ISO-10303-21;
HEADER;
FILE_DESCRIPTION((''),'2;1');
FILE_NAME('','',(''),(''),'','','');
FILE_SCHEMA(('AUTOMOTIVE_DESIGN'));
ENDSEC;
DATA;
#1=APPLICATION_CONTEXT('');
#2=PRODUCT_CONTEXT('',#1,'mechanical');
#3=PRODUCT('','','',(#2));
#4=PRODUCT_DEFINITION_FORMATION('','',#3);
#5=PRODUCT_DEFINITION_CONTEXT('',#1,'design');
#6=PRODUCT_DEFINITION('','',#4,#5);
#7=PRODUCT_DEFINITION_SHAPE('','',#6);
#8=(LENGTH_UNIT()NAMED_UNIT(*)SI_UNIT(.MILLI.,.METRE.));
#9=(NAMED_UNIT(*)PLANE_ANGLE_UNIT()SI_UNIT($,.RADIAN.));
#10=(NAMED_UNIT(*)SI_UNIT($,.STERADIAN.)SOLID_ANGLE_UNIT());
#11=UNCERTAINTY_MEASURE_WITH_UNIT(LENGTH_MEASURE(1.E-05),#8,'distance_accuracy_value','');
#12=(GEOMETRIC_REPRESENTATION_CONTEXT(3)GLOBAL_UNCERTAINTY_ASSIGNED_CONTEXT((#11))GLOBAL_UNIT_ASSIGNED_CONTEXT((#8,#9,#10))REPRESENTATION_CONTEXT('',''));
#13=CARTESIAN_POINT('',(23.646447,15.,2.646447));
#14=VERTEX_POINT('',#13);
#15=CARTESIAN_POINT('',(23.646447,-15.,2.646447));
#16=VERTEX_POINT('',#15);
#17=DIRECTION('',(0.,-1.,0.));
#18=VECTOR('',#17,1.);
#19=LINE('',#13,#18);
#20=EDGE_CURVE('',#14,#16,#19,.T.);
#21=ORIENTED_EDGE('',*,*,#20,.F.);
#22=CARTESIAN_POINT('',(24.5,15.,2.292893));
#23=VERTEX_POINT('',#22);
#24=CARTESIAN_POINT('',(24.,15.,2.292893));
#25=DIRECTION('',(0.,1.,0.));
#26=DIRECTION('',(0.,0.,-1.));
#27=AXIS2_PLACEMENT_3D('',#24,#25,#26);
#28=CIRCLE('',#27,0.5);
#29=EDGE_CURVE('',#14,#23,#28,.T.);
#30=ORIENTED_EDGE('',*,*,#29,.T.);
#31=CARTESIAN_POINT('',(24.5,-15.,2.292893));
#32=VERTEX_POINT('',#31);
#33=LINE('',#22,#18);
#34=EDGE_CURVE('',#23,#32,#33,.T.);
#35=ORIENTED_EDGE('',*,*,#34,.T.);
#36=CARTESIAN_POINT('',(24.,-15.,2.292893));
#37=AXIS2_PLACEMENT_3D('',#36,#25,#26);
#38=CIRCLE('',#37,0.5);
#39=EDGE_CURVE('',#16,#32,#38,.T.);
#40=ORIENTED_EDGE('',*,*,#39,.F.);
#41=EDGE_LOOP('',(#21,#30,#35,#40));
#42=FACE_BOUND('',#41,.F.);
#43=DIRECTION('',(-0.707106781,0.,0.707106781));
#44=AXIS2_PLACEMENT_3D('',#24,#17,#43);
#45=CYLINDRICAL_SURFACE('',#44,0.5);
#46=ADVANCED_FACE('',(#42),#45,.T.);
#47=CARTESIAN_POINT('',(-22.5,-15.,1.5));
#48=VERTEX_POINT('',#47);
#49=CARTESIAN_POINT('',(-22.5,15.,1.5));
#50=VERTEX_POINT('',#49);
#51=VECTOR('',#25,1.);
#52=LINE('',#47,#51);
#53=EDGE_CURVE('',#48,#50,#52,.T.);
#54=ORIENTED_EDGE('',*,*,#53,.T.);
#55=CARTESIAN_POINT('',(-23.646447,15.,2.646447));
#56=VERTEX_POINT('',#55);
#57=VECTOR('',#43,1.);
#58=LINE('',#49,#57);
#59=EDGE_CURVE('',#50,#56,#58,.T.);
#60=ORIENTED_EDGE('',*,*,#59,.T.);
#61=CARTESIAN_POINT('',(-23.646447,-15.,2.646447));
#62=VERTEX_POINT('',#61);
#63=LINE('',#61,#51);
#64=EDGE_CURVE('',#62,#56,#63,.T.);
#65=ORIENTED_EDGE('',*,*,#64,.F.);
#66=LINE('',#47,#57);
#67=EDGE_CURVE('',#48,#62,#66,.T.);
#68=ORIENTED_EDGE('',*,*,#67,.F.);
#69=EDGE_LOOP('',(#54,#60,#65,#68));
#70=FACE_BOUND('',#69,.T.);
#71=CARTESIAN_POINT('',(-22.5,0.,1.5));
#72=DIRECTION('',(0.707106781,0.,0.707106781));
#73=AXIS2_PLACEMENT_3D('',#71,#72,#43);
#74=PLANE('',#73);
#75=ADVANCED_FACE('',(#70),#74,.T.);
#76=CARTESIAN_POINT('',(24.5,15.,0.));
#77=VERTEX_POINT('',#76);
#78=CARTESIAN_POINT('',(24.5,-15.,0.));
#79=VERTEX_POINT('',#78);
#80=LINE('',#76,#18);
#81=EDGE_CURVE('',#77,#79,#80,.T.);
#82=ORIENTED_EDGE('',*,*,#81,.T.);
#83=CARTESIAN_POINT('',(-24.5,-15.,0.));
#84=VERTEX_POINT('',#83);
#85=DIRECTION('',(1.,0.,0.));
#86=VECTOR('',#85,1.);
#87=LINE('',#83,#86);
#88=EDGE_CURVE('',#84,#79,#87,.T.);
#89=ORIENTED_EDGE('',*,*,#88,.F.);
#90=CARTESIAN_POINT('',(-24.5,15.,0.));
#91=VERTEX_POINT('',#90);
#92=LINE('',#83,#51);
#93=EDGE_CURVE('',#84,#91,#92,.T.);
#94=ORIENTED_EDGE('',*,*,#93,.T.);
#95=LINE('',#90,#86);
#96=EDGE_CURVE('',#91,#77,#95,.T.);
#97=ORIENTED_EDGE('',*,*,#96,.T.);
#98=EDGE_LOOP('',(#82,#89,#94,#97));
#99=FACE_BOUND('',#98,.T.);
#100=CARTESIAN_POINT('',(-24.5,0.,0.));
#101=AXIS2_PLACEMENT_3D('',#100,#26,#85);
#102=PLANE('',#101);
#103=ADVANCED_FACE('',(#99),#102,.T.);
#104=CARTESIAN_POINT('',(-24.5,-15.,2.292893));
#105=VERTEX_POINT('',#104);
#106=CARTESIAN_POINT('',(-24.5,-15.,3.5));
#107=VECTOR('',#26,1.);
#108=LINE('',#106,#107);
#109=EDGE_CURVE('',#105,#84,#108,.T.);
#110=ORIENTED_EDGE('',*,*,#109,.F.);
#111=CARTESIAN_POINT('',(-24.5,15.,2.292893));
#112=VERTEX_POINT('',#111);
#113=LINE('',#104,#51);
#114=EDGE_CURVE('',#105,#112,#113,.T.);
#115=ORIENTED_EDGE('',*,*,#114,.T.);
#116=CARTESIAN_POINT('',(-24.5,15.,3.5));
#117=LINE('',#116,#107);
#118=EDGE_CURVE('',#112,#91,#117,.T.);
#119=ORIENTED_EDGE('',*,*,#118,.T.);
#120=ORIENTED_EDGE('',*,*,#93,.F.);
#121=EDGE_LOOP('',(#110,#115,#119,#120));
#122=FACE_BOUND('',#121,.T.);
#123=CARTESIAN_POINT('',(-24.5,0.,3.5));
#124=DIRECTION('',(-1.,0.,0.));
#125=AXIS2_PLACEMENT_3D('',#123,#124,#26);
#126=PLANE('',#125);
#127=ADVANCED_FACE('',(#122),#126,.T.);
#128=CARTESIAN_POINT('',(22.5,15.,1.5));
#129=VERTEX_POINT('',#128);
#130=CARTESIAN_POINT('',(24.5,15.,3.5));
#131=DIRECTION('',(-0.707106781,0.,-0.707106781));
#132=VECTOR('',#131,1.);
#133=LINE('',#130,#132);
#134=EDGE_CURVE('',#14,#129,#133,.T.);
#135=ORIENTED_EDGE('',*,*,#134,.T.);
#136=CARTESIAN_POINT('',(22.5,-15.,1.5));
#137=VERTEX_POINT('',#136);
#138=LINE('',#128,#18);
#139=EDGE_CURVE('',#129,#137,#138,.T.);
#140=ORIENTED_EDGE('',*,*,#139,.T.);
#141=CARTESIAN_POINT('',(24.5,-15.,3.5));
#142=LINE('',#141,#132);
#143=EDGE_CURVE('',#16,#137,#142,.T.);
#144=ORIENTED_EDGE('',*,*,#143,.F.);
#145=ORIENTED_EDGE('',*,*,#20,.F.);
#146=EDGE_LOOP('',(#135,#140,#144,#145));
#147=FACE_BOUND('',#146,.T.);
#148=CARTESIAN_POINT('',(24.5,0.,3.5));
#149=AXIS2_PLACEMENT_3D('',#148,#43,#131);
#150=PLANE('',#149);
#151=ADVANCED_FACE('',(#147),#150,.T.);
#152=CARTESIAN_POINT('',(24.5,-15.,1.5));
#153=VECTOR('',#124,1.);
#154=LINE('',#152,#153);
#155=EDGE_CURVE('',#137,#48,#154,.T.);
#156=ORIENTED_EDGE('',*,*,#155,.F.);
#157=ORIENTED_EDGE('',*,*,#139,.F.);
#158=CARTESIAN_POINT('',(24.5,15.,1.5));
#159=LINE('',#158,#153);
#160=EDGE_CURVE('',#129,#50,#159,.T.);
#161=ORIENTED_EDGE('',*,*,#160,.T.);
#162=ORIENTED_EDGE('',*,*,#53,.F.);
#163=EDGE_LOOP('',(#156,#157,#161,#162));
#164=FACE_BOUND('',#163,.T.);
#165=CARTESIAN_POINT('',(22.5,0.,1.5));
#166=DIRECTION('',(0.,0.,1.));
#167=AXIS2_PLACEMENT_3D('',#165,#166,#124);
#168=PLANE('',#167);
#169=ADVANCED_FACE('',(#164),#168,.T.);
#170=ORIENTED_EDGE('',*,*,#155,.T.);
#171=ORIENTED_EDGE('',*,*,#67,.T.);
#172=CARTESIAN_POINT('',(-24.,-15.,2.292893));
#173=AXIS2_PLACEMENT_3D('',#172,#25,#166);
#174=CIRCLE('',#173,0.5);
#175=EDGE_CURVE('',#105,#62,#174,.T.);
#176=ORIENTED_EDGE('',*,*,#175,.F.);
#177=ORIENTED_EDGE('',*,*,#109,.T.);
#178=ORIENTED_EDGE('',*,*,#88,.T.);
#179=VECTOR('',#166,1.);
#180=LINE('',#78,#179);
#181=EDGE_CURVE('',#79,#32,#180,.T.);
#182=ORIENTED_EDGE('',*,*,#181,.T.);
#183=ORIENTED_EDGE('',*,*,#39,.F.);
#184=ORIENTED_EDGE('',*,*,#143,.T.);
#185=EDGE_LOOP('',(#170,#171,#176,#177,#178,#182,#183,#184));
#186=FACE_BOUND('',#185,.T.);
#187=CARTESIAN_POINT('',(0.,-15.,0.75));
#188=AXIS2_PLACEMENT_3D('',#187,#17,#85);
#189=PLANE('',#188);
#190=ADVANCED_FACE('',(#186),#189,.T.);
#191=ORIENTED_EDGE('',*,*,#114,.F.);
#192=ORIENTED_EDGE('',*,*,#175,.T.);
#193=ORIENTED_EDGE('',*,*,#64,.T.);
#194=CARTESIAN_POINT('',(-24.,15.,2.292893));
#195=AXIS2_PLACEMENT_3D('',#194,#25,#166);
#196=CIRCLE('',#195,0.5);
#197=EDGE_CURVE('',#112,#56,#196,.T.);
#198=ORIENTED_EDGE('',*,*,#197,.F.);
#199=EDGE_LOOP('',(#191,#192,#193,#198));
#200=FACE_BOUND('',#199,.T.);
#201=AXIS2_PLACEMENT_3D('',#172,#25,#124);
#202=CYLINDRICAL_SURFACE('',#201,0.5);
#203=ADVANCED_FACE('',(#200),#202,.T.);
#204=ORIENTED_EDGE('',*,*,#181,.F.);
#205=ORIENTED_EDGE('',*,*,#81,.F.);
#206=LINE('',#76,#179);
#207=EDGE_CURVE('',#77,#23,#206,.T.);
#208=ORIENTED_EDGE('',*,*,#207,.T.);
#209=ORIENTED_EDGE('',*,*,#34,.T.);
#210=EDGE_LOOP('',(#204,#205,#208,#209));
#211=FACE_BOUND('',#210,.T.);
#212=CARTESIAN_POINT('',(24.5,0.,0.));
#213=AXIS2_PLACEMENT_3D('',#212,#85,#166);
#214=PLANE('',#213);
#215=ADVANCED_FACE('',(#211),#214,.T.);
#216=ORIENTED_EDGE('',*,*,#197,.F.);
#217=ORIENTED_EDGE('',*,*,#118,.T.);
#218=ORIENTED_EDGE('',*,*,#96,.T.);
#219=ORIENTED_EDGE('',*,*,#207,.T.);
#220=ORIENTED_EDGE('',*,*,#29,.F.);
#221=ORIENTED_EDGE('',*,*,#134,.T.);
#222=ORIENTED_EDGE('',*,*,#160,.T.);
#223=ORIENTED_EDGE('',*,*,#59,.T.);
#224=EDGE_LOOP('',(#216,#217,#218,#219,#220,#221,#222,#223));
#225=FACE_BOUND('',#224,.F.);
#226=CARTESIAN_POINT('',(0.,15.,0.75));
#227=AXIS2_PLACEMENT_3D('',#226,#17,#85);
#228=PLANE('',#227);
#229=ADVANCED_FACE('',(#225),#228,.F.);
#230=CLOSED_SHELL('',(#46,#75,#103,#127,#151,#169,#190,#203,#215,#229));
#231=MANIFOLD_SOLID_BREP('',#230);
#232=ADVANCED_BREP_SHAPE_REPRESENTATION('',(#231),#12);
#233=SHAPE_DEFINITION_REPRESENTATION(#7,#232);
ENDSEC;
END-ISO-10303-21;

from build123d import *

# Parameters (mm, degrees)
F1_DEPTH = 15
F2_R     = 0.5


with BuildPart() as f1:
    # F0 (on Front) → F1 (new body, symmetric)
    with BuildSketch(Plane.XZ):
        Polygon((-24.5, 1.5), (-24.5, 0), (24.5, 0), (24.5, 1.5), (22.5, 1.5), (-22.5, 1.5), align=None)
        Polygon((-24.5, 3.5), (-24.5, 1.5), (-22.5, 1.5), align=None)
        Polygon((22.5, 1.5), (24.5, 1.5), (24.5, 3.5), align=None)
    extrude(amount=F1_DEPTH, both=True)

    # F2
    f2_edges = [f1.edges().sort_by_distance(p)[0] for p in [
        (-24.5, 0, 3.5),
        (24.5, 0, 3.5),
    ]]
    fillet(f2_edges, radius=F2_R)


solid = f1.part
